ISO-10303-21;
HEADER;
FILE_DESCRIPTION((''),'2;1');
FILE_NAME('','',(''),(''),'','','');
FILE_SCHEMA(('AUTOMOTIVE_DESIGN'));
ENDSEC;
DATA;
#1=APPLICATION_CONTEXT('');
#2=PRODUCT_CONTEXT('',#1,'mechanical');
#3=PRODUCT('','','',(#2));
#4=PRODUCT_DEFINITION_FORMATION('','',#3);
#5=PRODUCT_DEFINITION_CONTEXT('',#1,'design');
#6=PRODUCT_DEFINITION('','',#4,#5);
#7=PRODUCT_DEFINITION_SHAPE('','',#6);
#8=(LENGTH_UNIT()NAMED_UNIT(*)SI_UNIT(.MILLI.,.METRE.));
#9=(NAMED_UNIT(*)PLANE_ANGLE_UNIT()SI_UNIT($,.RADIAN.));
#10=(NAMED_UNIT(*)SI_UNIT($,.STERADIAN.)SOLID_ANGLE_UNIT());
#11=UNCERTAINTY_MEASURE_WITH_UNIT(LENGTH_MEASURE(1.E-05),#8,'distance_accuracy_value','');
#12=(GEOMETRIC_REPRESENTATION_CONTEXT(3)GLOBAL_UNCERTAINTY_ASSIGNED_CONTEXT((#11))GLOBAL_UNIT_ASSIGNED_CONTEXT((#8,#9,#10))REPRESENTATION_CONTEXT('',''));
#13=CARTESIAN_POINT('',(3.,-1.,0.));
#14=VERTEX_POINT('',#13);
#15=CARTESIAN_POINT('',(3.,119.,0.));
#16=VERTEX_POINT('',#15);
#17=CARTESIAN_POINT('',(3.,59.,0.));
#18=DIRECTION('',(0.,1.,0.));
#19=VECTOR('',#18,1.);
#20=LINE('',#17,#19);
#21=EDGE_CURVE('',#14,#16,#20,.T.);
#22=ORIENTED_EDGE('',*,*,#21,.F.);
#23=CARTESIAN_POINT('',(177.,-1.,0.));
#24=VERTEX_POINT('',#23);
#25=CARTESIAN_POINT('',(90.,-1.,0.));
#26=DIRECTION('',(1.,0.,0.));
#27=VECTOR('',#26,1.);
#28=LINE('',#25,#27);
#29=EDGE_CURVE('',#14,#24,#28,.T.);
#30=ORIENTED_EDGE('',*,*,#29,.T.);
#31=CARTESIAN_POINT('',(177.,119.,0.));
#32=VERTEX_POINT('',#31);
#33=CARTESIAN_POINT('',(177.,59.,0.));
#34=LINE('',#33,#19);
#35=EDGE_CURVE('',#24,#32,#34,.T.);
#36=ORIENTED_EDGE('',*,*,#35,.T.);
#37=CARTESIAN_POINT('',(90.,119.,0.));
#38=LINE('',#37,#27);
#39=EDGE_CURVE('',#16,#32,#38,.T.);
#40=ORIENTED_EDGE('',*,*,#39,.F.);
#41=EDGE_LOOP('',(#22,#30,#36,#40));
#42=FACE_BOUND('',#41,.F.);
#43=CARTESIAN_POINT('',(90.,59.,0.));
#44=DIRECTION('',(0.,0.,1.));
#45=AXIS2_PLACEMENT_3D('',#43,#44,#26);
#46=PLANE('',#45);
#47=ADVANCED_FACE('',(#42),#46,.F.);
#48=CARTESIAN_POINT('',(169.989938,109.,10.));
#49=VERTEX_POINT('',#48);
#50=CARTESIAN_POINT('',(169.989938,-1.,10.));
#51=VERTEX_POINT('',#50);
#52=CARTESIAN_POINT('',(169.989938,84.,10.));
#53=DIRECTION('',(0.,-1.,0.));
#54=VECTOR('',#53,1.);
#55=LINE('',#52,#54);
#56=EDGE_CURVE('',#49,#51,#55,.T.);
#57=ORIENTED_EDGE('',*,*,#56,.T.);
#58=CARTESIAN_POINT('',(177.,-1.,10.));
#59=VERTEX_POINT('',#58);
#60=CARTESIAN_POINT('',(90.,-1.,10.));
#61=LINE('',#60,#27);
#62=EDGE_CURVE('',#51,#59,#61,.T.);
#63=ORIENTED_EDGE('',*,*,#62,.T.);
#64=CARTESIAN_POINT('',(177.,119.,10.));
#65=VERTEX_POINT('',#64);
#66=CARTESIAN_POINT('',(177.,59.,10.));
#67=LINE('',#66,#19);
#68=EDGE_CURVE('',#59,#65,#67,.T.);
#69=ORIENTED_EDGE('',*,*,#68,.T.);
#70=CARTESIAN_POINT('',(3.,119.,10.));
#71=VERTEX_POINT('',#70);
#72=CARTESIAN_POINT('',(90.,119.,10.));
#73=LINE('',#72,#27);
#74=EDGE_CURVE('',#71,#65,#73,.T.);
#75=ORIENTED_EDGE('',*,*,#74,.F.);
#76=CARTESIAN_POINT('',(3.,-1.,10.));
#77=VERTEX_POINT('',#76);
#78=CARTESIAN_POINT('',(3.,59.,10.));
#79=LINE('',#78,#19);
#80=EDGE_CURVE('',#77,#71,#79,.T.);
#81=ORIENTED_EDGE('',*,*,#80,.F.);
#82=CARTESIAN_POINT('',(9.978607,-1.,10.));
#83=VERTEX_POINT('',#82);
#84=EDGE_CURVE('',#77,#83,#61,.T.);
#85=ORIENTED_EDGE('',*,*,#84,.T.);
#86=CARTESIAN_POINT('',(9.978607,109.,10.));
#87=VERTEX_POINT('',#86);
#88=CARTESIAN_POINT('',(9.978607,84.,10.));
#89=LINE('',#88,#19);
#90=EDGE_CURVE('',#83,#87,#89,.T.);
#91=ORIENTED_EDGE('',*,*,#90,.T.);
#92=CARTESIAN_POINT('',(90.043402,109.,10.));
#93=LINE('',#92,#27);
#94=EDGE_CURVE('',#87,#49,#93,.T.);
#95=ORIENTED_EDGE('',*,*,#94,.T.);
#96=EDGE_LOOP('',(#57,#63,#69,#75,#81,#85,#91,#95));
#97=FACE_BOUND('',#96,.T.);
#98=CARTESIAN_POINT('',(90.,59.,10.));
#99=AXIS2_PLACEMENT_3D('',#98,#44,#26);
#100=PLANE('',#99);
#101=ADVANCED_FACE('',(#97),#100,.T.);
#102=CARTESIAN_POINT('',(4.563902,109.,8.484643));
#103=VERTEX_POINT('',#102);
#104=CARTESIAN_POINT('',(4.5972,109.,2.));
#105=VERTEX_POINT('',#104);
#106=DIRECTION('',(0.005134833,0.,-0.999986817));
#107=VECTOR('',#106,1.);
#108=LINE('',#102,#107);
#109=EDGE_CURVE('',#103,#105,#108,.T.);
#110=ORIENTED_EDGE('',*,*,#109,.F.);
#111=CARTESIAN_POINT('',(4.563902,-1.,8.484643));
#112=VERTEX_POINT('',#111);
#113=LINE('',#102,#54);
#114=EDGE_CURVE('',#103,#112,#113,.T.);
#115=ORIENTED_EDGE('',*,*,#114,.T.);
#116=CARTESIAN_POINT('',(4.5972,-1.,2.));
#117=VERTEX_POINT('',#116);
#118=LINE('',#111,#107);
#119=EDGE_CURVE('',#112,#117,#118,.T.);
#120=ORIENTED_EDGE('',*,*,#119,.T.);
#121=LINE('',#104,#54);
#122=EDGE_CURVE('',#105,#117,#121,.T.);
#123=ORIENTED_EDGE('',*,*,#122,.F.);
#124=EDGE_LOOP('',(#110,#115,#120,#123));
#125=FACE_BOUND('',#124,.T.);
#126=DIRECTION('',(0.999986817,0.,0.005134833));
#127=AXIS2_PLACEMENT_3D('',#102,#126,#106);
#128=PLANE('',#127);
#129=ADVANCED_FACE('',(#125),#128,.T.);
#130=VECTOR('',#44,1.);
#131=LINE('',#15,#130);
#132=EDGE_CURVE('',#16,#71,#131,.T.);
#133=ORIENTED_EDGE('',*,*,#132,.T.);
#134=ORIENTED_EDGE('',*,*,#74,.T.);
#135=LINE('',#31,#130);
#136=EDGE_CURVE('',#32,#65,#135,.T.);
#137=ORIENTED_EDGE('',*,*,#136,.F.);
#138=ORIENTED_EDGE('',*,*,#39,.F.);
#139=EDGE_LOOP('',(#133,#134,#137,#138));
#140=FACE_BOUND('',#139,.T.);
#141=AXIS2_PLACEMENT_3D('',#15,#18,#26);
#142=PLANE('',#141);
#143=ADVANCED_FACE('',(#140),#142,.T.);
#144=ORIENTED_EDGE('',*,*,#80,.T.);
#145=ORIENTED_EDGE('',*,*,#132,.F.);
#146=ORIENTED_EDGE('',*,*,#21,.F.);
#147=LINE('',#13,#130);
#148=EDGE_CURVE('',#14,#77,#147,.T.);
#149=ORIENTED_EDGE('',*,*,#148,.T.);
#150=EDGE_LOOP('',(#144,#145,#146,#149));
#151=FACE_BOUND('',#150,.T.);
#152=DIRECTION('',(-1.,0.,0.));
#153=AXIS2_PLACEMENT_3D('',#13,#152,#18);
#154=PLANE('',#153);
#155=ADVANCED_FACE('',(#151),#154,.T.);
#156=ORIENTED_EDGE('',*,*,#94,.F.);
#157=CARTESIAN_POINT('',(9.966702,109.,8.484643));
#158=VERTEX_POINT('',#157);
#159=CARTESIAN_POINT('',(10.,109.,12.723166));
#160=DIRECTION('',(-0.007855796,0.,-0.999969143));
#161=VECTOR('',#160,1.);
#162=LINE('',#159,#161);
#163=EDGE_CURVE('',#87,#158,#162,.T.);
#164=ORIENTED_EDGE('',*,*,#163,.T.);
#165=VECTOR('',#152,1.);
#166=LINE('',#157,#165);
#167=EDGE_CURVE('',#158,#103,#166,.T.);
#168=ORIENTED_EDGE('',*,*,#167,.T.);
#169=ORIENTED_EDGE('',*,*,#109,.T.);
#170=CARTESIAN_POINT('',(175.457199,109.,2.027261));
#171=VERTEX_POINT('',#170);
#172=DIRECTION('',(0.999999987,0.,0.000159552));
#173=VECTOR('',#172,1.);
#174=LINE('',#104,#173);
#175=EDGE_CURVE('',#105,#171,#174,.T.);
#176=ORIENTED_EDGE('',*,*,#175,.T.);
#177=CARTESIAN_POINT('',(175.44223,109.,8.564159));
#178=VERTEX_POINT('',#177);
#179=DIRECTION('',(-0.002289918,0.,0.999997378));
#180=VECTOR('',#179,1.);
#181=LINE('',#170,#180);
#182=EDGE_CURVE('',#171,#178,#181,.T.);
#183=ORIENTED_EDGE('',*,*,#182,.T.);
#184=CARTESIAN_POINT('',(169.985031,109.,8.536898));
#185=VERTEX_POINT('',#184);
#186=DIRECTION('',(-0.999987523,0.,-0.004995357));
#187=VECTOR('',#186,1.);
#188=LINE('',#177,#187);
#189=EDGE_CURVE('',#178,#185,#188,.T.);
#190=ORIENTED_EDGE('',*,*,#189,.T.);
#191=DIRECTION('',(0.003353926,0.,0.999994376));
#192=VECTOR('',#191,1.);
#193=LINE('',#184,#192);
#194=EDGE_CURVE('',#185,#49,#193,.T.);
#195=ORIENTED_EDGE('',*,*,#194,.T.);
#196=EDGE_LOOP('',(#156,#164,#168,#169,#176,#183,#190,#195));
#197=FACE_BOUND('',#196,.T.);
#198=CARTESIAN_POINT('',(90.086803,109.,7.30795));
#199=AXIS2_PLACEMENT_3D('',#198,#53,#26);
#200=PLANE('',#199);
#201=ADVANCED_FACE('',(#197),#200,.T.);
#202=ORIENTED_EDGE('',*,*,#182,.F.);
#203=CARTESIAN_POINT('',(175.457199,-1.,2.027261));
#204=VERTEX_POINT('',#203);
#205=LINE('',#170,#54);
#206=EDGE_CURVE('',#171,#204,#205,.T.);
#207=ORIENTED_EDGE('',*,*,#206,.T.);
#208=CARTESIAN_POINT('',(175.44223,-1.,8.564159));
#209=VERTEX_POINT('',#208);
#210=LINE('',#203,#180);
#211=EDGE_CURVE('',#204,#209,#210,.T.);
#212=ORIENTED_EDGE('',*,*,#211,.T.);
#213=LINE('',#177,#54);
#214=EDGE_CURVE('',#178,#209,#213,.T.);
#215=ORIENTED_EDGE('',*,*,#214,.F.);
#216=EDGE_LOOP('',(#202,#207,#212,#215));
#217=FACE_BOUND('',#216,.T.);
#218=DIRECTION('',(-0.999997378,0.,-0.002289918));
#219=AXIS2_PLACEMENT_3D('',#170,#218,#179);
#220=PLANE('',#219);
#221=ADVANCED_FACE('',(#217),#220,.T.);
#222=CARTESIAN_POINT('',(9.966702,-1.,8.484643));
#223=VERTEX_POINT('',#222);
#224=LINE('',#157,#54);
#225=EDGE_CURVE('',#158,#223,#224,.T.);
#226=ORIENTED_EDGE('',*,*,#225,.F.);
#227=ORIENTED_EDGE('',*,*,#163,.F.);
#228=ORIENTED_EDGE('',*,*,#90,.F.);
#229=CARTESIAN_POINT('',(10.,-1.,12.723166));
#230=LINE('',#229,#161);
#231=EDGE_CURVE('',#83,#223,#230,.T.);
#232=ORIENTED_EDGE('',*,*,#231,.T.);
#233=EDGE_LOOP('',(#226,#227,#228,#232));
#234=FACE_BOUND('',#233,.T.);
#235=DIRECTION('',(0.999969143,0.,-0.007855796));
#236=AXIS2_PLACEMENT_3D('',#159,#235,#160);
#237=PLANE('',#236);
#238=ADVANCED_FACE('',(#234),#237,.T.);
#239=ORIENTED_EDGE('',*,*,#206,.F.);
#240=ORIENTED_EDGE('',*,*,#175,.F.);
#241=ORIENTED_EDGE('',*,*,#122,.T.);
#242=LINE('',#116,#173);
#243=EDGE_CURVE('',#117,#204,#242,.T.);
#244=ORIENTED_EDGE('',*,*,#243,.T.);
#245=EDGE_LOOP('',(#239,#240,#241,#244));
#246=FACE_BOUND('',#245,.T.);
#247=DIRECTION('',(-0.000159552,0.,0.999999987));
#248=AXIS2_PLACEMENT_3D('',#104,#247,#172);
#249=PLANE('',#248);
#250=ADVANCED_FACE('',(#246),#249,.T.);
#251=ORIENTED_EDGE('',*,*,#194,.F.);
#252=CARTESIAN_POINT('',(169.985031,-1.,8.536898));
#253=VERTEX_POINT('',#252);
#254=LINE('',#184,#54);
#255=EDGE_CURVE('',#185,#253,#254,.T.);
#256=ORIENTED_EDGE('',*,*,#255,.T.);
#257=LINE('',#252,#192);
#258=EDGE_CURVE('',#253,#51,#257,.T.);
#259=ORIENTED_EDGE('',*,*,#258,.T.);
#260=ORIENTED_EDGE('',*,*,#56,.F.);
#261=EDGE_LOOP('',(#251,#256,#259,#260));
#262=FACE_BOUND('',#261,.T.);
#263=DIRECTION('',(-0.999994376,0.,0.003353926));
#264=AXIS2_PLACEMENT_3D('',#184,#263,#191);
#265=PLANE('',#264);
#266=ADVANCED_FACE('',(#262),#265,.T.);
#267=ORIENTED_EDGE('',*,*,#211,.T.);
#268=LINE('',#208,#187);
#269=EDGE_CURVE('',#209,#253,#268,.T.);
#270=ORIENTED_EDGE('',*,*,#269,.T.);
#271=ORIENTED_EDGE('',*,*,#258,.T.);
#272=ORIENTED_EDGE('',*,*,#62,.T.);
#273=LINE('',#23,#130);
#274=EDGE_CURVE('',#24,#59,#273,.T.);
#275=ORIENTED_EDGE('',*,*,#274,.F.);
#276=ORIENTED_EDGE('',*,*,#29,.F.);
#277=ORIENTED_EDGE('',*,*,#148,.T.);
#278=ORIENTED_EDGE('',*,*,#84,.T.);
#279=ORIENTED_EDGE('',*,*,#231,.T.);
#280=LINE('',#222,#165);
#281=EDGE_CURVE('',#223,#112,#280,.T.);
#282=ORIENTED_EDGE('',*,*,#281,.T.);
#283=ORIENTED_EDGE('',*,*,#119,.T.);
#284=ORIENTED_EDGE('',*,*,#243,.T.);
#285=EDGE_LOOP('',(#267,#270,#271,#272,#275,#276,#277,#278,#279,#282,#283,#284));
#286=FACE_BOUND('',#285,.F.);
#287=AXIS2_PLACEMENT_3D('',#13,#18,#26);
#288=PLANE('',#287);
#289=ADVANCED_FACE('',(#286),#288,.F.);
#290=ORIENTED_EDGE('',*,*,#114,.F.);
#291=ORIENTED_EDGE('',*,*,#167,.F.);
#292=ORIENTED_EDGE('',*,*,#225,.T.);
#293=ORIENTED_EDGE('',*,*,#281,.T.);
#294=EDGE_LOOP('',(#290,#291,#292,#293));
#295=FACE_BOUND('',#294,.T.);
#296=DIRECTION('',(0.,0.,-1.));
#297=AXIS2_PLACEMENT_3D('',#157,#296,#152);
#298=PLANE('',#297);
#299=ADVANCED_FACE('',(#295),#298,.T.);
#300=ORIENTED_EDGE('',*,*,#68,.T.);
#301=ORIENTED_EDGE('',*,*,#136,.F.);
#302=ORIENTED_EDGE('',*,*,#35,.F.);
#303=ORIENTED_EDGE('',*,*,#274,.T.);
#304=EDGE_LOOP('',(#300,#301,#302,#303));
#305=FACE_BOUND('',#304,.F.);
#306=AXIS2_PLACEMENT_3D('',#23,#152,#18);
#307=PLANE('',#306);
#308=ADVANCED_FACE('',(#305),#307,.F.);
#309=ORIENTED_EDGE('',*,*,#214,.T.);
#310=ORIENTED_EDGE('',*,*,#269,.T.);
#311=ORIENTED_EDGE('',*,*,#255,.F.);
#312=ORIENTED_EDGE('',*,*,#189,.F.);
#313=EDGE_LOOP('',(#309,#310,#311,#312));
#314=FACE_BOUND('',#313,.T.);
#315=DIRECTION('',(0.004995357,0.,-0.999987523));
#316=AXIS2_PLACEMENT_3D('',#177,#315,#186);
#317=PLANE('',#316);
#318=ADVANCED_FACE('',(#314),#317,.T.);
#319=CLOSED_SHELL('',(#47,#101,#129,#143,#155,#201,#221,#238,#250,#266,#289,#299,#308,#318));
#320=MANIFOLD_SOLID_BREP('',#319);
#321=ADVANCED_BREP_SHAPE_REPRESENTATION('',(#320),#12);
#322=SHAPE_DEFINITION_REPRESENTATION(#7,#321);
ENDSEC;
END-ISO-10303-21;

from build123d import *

# Parameters (mm, degrees)
PAD012_DEPTH = 110
BOX_W        = 174
BOX_H        = 120
BOX_DEPTH    = 10


with BuildPart() as pad012:
    # Sketch015 → Pad012 (new body)
    with BuildSketch(Plane.XZ.offset(-110)):
        Polygon((10, 12.723166), (9.966702, 8.484643), (4.563902, 8.484643), (4.5972, 2), (175.457199, 2.027261), (175.44223, 8.564159), (169.985031, 8.536898), (170, 13), align=None)
    extrude(amount=PAD012_DEPTH)


with BuildPart() as pcb_holder:
    # Box → Box (new body)
    with BuildSketch(Plane(origin=(3, 0, 0), x_dir=(1, 0, 0), z_dir=(0, 0, 1))):
        with Locations((87, 60)):
            Rectangle(BOX_W, BOX_H)
    extrude(amount=BOX_DEPTH)

    # Cut003: cut Pad012
    add(pad012.part, mode=Mode.SUBTRACT)


with BuildPart() as pcb_holder_1:
    # Cut003 placement: moved
    add(pcb_holder.part.moved(Location((0, -1, 0))))


solid = pcb_holder_1.part
